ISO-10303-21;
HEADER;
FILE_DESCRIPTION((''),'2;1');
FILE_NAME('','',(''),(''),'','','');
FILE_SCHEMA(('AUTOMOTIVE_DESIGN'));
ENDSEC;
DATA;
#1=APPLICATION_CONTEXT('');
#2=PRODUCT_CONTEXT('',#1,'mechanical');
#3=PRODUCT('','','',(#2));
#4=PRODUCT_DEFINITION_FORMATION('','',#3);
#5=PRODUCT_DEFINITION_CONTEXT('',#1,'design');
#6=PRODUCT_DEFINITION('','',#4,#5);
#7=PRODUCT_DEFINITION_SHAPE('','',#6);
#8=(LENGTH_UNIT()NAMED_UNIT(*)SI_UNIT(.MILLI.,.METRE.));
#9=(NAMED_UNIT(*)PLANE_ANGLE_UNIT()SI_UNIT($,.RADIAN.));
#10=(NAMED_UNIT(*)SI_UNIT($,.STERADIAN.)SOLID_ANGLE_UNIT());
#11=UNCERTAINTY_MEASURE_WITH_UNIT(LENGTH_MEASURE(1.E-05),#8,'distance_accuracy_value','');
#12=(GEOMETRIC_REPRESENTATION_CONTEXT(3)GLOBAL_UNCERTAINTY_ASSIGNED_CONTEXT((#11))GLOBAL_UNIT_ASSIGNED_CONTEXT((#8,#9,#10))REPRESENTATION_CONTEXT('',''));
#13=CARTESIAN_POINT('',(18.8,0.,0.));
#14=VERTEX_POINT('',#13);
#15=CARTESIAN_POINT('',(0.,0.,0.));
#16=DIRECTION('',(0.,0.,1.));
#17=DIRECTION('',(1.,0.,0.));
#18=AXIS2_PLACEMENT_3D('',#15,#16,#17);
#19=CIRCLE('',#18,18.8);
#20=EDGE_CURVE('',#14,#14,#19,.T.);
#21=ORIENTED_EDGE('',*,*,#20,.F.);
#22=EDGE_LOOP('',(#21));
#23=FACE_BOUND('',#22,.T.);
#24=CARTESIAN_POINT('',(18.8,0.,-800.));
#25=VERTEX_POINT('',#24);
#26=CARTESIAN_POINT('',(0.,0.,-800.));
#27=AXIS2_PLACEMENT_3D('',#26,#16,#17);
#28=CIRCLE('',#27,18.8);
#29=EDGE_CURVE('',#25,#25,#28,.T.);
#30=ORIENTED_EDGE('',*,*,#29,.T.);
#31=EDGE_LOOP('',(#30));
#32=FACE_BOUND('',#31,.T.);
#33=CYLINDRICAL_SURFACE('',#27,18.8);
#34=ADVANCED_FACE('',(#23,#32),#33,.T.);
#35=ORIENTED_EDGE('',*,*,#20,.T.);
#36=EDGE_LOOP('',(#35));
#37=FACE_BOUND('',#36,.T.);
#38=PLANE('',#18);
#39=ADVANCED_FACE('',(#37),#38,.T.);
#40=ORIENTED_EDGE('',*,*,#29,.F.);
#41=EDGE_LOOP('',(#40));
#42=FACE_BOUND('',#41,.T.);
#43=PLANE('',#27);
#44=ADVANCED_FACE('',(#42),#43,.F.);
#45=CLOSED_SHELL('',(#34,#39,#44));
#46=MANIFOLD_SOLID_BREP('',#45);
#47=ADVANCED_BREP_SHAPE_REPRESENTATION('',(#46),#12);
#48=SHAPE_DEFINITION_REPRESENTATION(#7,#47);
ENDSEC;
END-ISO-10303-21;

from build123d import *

# Parameters (mm, degrees)
SKETCH2_R           = 18.8
BOSS_EXTRUDE1_DEPTH = 800


with BuildPart() as part:
    # Sketch2 → Boss-Extrude1 (new body)
    with BuildSketch(Plane.XY):
        Circle(SKETCH2_R)
    extrude(amount=-BOSS_EXTRUDE1_DEPTH)


solid = part.part
